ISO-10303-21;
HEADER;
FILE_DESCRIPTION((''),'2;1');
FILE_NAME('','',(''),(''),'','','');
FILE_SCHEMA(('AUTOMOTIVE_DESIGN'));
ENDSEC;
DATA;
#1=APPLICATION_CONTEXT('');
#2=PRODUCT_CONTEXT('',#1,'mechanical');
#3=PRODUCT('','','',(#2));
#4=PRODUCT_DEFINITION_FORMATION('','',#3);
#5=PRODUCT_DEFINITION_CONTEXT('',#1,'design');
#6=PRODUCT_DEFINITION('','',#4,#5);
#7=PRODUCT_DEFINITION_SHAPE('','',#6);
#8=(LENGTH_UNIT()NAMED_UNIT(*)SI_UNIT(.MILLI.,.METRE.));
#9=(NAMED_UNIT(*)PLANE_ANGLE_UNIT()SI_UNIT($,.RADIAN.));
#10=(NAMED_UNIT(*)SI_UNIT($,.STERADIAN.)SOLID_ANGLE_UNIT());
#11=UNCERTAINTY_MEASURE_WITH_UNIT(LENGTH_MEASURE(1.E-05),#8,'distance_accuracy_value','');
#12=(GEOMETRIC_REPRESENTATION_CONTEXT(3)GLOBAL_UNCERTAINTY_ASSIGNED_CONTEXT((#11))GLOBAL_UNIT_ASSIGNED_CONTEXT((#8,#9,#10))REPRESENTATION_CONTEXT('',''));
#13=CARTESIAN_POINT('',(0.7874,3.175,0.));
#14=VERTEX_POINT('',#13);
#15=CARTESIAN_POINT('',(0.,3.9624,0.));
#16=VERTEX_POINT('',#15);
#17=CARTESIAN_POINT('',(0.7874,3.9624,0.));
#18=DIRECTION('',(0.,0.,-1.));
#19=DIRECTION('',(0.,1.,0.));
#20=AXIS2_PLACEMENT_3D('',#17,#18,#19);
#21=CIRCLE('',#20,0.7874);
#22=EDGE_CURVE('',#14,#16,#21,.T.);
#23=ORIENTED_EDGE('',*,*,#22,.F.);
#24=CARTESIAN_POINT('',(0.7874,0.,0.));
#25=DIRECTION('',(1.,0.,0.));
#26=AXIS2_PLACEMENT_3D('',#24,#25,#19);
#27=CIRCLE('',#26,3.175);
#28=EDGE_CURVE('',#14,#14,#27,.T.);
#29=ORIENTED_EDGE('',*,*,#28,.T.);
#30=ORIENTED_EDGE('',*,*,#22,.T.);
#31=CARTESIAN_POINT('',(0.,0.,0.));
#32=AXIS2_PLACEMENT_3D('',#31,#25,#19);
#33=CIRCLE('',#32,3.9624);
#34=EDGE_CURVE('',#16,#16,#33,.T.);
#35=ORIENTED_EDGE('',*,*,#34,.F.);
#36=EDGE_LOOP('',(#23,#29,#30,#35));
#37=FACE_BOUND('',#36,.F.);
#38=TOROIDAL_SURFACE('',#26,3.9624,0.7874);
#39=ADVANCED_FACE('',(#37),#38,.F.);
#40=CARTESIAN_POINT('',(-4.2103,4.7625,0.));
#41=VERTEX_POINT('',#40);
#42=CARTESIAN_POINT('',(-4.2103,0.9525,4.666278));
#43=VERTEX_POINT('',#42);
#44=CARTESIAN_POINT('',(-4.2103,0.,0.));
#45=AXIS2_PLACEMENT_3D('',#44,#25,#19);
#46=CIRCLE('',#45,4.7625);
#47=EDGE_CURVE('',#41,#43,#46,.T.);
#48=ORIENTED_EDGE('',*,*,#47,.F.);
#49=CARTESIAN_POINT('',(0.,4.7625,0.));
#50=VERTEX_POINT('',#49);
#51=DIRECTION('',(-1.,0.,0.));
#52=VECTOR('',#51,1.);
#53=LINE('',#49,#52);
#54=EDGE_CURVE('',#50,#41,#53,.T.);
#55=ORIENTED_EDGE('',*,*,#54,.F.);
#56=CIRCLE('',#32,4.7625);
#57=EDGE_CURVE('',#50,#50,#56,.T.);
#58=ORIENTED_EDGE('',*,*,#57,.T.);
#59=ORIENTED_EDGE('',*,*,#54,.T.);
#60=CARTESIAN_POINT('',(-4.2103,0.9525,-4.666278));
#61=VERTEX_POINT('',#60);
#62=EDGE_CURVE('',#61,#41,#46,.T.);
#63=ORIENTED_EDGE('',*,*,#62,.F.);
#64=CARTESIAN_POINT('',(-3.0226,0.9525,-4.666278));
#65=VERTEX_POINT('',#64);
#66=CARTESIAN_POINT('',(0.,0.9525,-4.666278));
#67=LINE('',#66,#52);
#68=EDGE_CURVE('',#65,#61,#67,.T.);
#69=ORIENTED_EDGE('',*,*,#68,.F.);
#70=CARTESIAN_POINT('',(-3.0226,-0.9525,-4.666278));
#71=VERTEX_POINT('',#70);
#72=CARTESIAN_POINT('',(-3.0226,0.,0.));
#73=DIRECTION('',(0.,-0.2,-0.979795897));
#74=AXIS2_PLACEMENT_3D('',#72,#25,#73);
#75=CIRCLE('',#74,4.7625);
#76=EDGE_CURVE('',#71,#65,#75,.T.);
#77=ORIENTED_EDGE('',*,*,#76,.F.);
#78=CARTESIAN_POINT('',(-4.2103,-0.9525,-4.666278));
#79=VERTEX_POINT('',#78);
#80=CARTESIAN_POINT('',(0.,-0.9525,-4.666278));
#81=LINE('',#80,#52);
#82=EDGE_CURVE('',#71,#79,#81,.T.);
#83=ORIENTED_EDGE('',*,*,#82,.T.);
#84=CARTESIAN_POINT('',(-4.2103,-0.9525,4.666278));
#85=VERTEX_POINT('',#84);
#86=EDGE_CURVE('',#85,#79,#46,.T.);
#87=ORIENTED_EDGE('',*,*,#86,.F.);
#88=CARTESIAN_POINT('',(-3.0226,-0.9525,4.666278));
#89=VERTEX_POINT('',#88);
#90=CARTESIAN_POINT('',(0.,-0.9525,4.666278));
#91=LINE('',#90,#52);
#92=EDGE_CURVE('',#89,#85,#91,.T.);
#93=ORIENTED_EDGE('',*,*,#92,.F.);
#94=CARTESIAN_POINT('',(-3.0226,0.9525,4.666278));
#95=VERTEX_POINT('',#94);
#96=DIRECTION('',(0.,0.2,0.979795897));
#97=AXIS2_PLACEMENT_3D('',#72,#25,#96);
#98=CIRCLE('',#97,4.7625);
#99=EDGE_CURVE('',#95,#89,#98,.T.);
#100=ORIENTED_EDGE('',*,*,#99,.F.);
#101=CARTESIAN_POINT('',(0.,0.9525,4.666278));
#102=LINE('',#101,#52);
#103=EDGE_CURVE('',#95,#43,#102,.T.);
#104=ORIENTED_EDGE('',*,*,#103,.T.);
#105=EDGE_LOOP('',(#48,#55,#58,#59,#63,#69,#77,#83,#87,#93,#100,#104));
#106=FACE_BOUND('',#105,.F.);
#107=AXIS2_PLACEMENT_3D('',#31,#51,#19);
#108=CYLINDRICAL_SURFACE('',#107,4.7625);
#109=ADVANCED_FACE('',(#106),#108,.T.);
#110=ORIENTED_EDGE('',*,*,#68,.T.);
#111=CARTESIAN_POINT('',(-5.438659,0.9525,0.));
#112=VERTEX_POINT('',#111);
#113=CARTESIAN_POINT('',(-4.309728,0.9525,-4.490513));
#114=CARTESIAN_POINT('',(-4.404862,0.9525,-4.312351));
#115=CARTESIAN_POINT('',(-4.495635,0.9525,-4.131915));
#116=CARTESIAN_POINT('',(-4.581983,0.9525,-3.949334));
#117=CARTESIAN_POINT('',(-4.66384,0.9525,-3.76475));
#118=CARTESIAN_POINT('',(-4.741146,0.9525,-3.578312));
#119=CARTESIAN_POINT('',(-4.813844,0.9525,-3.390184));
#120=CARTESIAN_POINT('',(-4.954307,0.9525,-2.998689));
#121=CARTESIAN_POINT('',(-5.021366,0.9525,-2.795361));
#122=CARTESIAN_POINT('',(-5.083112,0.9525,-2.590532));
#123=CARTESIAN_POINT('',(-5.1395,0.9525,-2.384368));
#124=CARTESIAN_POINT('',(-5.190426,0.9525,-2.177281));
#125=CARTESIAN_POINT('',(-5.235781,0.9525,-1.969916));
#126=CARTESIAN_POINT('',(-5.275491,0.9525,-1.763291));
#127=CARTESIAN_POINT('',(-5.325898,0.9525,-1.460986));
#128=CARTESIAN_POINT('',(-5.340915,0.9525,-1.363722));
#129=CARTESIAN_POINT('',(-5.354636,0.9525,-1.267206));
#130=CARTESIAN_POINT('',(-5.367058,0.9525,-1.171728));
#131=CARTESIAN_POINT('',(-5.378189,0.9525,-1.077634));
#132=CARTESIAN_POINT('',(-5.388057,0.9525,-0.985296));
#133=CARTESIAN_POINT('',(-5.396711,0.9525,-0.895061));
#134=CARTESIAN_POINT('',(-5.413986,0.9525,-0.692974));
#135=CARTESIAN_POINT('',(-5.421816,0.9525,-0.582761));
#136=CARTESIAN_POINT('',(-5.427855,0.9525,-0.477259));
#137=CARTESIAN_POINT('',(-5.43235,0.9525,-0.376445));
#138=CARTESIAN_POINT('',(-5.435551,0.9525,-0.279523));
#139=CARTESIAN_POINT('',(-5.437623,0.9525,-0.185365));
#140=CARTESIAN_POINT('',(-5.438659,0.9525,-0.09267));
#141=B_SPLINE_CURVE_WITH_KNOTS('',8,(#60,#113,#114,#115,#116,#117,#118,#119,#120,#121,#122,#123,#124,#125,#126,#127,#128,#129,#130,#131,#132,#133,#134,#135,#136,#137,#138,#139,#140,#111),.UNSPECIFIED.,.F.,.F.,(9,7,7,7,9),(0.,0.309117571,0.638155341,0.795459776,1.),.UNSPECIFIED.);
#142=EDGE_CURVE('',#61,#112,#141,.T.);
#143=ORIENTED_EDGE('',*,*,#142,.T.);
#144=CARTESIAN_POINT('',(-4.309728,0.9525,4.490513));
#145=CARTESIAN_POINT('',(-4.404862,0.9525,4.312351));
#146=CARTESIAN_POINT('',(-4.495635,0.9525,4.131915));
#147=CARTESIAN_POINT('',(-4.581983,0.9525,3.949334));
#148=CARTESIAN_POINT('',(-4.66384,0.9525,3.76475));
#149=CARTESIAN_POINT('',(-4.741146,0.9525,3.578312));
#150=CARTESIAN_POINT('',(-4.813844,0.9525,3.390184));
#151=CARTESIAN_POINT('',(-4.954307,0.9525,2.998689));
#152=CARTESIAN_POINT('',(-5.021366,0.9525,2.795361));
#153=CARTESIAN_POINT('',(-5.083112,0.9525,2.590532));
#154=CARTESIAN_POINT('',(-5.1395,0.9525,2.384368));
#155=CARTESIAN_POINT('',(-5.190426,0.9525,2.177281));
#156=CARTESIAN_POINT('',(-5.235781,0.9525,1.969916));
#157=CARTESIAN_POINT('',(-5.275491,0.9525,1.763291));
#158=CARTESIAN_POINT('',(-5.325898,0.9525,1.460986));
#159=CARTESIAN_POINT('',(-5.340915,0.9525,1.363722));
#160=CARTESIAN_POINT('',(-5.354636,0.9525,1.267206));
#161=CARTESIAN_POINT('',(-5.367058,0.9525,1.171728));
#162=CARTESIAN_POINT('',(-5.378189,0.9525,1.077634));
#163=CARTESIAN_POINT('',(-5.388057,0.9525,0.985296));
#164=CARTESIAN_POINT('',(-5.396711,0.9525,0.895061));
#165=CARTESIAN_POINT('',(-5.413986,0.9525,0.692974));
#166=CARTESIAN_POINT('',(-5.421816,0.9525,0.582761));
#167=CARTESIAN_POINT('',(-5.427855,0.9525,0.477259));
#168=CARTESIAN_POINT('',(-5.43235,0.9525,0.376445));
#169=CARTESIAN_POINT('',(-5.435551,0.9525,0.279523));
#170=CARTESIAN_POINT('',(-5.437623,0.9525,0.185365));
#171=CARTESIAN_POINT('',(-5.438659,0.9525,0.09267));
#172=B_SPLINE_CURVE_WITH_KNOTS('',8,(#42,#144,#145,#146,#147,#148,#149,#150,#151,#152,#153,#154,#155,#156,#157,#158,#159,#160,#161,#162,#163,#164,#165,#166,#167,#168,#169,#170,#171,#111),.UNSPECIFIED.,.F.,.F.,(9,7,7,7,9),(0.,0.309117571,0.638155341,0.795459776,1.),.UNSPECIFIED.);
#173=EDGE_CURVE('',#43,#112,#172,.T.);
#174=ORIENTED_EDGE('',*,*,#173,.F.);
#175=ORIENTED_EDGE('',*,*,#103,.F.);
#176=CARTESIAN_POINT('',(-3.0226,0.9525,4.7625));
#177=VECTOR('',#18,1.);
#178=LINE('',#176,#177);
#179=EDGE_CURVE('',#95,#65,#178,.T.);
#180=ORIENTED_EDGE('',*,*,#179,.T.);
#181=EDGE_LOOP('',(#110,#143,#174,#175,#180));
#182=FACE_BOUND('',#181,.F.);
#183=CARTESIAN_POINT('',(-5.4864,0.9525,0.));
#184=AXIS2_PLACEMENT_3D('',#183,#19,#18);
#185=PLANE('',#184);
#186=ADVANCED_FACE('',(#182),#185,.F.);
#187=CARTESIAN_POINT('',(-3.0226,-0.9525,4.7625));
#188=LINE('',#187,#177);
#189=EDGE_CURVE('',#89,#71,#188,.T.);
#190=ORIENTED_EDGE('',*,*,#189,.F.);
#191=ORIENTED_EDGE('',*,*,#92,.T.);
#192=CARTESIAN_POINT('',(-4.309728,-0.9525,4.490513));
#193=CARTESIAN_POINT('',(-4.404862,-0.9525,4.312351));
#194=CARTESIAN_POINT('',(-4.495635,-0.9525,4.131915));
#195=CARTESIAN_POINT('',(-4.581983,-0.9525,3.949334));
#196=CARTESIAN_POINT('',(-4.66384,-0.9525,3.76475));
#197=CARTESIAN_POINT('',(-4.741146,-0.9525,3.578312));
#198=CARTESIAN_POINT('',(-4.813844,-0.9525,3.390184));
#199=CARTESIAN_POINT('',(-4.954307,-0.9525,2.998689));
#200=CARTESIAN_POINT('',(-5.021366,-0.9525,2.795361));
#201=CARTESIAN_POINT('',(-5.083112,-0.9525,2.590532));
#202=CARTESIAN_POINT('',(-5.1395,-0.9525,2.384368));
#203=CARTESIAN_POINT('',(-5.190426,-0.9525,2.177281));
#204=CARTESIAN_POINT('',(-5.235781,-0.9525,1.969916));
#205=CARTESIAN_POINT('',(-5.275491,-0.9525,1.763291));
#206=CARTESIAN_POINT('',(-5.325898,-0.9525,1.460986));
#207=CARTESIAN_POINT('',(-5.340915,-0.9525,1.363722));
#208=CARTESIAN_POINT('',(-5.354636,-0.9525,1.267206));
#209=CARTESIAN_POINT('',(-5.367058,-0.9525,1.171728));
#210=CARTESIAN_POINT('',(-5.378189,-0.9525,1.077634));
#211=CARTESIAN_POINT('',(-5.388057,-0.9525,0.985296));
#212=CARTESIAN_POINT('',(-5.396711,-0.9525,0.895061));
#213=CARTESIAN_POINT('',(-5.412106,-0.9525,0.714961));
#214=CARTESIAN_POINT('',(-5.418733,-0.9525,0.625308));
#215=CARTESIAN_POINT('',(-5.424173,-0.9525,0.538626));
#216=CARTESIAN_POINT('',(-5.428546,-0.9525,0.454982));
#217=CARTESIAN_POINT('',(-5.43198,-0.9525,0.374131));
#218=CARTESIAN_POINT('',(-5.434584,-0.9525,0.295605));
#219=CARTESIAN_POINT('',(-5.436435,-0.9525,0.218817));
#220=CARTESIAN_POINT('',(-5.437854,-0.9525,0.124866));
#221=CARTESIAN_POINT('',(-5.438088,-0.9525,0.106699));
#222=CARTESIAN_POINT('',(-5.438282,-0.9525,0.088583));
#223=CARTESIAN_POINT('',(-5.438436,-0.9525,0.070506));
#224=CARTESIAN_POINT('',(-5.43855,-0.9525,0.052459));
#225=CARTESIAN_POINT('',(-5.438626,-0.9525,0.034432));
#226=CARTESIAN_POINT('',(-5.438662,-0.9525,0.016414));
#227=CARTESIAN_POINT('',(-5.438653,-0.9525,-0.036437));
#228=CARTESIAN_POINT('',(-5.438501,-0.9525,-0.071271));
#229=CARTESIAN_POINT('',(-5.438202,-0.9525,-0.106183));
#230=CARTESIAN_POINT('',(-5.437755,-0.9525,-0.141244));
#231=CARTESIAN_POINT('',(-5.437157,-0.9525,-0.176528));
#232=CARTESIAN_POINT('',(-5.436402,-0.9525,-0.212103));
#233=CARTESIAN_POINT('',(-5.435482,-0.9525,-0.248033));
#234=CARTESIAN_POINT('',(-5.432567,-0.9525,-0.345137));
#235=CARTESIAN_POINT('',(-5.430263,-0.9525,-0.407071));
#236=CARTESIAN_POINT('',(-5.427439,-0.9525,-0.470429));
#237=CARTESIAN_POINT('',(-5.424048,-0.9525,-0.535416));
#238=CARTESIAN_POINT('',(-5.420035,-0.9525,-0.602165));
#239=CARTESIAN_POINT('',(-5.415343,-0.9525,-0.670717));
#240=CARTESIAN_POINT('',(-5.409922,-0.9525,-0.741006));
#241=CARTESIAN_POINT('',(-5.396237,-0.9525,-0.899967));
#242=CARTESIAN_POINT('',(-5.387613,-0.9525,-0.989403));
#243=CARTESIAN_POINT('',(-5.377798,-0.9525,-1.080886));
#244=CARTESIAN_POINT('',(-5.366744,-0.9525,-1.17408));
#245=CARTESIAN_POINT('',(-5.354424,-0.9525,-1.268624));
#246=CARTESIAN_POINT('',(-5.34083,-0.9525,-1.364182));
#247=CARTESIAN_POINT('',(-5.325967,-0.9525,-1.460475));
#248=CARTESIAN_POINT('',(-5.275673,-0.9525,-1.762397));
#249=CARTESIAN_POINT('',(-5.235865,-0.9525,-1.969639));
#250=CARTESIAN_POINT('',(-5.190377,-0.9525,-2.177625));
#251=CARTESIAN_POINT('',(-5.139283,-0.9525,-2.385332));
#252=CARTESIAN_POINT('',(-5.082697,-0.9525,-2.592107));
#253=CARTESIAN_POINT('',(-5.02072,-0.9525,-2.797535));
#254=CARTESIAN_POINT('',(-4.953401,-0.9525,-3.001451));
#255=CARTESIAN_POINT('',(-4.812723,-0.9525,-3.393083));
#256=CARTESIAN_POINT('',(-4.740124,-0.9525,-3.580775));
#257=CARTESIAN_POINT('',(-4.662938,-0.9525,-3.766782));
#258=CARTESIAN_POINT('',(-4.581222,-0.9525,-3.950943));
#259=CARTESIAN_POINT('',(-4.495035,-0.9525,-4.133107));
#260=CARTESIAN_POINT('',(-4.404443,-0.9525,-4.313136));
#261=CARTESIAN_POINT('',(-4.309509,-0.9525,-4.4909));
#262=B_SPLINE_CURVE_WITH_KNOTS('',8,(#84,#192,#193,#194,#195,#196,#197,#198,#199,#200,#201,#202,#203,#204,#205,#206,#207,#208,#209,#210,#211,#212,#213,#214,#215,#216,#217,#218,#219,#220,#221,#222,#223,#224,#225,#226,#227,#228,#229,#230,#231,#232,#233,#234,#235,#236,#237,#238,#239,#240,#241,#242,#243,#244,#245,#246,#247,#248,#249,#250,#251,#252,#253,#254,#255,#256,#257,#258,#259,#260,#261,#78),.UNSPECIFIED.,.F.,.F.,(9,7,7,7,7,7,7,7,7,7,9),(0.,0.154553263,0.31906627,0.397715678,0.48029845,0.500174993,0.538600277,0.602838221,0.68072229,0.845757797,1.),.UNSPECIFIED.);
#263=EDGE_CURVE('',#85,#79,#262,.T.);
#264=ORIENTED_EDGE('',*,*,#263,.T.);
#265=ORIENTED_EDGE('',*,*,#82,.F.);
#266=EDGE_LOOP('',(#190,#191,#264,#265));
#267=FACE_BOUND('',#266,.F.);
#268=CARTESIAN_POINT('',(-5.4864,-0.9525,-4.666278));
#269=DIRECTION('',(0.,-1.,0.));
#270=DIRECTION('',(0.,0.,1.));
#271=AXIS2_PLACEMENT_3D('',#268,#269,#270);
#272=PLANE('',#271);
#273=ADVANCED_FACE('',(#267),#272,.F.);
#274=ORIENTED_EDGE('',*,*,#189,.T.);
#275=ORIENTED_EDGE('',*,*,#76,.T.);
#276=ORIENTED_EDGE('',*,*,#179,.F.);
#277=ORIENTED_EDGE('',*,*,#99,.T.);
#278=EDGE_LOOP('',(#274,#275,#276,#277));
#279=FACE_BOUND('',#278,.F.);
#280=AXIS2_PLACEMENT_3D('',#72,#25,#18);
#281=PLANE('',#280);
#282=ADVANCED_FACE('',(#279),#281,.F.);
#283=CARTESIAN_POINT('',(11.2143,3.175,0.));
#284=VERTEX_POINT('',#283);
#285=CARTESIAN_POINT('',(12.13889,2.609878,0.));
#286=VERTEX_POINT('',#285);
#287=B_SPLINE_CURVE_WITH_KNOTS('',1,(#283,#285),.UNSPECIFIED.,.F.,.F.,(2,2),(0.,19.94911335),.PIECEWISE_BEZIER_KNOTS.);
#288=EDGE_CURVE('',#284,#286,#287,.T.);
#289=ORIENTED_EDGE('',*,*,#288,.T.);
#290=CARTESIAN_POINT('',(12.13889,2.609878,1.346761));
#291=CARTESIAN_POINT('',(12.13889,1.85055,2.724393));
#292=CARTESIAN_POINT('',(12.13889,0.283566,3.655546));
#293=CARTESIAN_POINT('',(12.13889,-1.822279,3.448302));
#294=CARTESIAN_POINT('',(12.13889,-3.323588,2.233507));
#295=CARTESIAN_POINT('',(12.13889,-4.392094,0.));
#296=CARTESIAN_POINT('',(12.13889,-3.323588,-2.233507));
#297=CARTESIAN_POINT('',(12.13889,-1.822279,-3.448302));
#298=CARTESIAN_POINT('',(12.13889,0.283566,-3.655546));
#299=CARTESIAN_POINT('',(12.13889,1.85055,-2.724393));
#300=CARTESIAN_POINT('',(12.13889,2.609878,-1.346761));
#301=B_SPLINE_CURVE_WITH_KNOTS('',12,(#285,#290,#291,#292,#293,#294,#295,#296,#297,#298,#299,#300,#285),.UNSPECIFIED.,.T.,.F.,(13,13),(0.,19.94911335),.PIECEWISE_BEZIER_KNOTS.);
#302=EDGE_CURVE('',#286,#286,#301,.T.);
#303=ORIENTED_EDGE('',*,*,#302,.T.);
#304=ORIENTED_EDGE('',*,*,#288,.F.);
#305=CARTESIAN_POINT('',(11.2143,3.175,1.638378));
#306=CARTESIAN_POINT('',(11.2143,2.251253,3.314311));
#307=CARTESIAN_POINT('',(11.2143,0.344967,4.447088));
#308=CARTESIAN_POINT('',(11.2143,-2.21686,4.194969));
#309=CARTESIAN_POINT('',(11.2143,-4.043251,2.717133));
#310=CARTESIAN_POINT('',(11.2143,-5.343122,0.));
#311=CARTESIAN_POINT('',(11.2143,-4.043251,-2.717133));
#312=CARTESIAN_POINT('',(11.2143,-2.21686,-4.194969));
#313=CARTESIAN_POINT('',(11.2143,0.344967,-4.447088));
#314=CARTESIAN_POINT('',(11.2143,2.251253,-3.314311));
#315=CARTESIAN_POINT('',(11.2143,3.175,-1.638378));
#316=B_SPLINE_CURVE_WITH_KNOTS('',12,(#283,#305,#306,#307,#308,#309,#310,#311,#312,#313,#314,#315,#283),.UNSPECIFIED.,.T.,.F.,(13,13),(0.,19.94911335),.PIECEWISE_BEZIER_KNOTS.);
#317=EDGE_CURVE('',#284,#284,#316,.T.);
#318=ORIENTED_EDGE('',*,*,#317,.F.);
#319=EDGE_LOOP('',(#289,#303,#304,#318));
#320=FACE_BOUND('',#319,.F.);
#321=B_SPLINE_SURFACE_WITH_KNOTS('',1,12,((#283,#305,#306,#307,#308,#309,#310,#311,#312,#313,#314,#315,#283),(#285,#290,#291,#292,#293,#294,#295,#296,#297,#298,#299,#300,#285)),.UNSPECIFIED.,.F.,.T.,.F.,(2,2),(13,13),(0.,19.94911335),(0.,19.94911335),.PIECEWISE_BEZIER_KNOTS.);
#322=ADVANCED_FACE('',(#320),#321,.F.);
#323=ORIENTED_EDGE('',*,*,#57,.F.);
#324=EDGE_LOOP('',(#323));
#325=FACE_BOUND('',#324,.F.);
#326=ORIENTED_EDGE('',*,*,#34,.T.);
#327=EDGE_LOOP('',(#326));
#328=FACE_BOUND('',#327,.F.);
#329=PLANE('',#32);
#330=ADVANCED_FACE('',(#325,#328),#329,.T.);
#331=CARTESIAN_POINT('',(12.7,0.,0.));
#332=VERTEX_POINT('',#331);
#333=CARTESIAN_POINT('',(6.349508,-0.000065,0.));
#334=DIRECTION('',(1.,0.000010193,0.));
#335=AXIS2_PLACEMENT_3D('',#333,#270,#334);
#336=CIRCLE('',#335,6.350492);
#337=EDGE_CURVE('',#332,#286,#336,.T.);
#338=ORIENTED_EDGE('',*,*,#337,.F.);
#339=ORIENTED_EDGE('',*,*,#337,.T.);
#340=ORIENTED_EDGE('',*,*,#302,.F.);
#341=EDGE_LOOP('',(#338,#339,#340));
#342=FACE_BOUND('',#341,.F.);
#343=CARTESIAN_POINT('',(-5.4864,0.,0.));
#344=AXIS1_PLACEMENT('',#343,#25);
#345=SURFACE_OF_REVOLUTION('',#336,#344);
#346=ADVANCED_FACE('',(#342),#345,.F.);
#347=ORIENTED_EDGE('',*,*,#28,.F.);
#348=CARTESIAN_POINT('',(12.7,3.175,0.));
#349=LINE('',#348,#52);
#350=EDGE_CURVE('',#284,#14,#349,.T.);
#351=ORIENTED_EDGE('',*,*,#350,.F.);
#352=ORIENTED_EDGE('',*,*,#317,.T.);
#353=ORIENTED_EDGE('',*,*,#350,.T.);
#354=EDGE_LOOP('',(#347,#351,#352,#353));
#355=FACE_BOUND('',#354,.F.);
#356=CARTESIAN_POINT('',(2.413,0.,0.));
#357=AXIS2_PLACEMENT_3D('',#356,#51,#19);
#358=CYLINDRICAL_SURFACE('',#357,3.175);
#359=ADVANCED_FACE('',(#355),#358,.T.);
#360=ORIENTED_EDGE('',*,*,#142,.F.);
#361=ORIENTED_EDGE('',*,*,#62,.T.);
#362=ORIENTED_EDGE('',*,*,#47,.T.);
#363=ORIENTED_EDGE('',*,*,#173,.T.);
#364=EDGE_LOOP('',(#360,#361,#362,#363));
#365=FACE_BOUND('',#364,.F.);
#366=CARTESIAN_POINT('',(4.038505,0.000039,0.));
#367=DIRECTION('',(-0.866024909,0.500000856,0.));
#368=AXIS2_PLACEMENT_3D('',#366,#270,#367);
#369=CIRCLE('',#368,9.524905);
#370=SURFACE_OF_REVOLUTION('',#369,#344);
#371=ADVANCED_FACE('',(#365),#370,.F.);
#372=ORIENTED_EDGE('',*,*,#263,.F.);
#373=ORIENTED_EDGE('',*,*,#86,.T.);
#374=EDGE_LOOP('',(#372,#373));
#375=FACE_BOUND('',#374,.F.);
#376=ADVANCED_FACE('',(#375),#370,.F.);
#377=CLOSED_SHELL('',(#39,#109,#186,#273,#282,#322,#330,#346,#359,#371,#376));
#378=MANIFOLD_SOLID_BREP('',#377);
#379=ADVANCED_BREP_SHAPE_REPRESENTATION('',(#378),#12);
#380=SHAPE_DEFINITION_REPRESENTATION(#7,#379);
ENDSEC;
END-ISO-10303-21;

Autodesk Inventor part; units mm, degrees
ref_plane "YZ Plane" through (0, 0, 0) normal (1, 0, 0) x (0, 1, 0)
sketch "Sketch1" plane through (0, 0, 0) normal (0, 0, 1) x (1, 0, 0)
  line L0 (-5.4864, 0) -> (12.7, 0)
  line L1 (12.7, 0) -> (12.7, 3.175)
  line L2 (12.7, 3.175) -> (3.175, 3.175)
  line L3 (3.175, 3.175) -> (2.413, 3.175)
  line L4 (2.413, 3.175) -> (0, 3.175)
  line L5 (0, 3.175) -> (0, 4.7625)
  line L6 (-9.4999, 0) -> (16.4, 0) projected
  line L7 (0, -0.9693) -> (0, 5.8158) projected
  line L8 (0, 4.7625) -> (-4.2103, 4.7625)
  arc A0 (-4.2103, 4.7625) -> (-5.4864, 0) centre (4.0386, 0) ccw
  line L9 (3.175, 3.175) -> (0, 3.175) construction
  dimension "d0" = 12.7
  dimension "d1" = 9.525
  dimension "d2" = 0.762
  dimension "d3" = 5.4864
  dimension "d4" = 6.35
  dimension "d5" = 6.35
  dimension "d9" = 9.525
  dimension "d10" = 0
  dimension "d13" = 9.525
revolve "Body" add sketch "Sketch1" angle 360 about axis through (-5.4864, 0, 0) along (1, 0, 0)
ref_plane "IDS_WORKPLANE{1}" through (-5.4864, 0, 0) normal (1, 0, 0) x (0, 0, -1)
sketch "Sketch2" plane through (-5.4864, 0, 0) normal (1, 0, 0) x (0, 0, -1)
  circle A0 centre (0, 0) radius 4.7625 projected
  line L0 (0, -6.6675) -> (0, 6.6675) projected
  line L1 (6.6675, 0) -> (-6.6675, 0) projected
  line L2 (-4.7625, 0.9525) -> (4.7625, 0.9525)
  line L3 (4.7625, 0.9525) -> (4.7625, -0.9525)
  line L4 (4.7625, -0.9525) -> (-4.7625, -0.9525)
  line L5 (-4.7625, -0.9525) -> (-4.7625, 0.9525)
  line L6 (-4.7625, 0) -> (4.7625, 0) construction
  line L7 (0, 0.9525) -> (0, -0.9525) construction
  dimension "d15" = 1.905
extrude "Slot" cut sketch "Sketch2" along normal blind 2.4638 contours L1 L0 L2 A0 | L3 L4 A0 | A0 L4 L0 L1 | A0 L2 L3 | L1 A0 L2 L0 | L0 L4 A0 L1 | L5 L2 A0 | A0 L4 L5
thread "Thread" size "1/4-20 UNC" class "2A" standard "ANSI Unified Screw Threads" length 9.525
sketch "Sketch3" plane through (0, 0, 0) normal (0, 0, 1) x (1, 0, 0)
  line L0 (12.7, 0) -> (12.7, 3.175) projected
  line L1 (12.7, 3.175) -> (3.175, 3.175) projected
  line L2 (-5.4864, 0) -> (12.7, 0) projected
  arc A0 (12.7, 0) -> (11.8493, 3.175) centre (6.35, 0) ccw
  line L3 (12.7, -3.175) -> (12.7, 3.175) projected
  line L4 (11.8493, 3.175) -> (11.8493, 0)
  line L5 (11.8493, 0) -> (12.7, 0)
  dimension "d40" = 6.35
revolve "Fillet1" cut sketch "Sketch3" angle 360 about axis through (-5.4864, 0, 0) along (1, 0, 0) contours A0 L1 L0
chamfer "Chamfer" distance 0.635 angle 45 1 edges at (11.8493, -3.175, 0)
ref_plane "Work Plane2" through (41.275, 0, 0) normal (0, 0, -1) x (1, 0, 0)
fillet "Fillet4" radius 0.7874 1 edges at (0, -3.175, 0)
equation "\"d0\" = NLG"
equation "\"d1\" = GEL"
equation "\"d2\" = GAL"
equation "\"d3\" = KOH"
equation "\"d4\" = GD"
equation "\"d5\" = BDM"
equation "\"d9\" = KOD"
equation "\"d13\" = KR"
equation "\"d15\" = SBR"
equation "\"d16\" = STI"
equation "\"d40\" = GD"
equation "\"d46\" = R"
equation "\"d11\" = GEL"
equation "\"d43\" = 0.5 * RR"
equation "\"GD\" = NND"
equation "\"NLG\" = 12.7"
equation "\"GEL\" = 9.525"
equation "\"KOD\" = 9.525"
equation "\"KOH\" = 5.4864"
equation "\"GAL\" = 0.762"
equation "\"BDM\" = NND"
equation "\"SBR\" = 1.905"
equation "\"STI\" = 2.4638"
equation "\"KEWI\" = 0"
equation "\"KR\" = KOD"
equation "\"d14\" = -KOH"
equation "\"R\" = 0.7874"
equation "\"THREADDIA\" = 6.35"
equation "\"TOA\" = 30deg"
equation "\"KOH1\" = 4.3688"
equation "\"NND\" = 6.35"
equation "\"GD1\" = 4.8387"
equation "\"THREADDESC\" = 1.2345"
equation "\"RR\" = 1.27"
properties part number "ANSI B18.6.2 - 1/4-20 UNC - 0.5, SFHCSI" material "Steel, Mild"
